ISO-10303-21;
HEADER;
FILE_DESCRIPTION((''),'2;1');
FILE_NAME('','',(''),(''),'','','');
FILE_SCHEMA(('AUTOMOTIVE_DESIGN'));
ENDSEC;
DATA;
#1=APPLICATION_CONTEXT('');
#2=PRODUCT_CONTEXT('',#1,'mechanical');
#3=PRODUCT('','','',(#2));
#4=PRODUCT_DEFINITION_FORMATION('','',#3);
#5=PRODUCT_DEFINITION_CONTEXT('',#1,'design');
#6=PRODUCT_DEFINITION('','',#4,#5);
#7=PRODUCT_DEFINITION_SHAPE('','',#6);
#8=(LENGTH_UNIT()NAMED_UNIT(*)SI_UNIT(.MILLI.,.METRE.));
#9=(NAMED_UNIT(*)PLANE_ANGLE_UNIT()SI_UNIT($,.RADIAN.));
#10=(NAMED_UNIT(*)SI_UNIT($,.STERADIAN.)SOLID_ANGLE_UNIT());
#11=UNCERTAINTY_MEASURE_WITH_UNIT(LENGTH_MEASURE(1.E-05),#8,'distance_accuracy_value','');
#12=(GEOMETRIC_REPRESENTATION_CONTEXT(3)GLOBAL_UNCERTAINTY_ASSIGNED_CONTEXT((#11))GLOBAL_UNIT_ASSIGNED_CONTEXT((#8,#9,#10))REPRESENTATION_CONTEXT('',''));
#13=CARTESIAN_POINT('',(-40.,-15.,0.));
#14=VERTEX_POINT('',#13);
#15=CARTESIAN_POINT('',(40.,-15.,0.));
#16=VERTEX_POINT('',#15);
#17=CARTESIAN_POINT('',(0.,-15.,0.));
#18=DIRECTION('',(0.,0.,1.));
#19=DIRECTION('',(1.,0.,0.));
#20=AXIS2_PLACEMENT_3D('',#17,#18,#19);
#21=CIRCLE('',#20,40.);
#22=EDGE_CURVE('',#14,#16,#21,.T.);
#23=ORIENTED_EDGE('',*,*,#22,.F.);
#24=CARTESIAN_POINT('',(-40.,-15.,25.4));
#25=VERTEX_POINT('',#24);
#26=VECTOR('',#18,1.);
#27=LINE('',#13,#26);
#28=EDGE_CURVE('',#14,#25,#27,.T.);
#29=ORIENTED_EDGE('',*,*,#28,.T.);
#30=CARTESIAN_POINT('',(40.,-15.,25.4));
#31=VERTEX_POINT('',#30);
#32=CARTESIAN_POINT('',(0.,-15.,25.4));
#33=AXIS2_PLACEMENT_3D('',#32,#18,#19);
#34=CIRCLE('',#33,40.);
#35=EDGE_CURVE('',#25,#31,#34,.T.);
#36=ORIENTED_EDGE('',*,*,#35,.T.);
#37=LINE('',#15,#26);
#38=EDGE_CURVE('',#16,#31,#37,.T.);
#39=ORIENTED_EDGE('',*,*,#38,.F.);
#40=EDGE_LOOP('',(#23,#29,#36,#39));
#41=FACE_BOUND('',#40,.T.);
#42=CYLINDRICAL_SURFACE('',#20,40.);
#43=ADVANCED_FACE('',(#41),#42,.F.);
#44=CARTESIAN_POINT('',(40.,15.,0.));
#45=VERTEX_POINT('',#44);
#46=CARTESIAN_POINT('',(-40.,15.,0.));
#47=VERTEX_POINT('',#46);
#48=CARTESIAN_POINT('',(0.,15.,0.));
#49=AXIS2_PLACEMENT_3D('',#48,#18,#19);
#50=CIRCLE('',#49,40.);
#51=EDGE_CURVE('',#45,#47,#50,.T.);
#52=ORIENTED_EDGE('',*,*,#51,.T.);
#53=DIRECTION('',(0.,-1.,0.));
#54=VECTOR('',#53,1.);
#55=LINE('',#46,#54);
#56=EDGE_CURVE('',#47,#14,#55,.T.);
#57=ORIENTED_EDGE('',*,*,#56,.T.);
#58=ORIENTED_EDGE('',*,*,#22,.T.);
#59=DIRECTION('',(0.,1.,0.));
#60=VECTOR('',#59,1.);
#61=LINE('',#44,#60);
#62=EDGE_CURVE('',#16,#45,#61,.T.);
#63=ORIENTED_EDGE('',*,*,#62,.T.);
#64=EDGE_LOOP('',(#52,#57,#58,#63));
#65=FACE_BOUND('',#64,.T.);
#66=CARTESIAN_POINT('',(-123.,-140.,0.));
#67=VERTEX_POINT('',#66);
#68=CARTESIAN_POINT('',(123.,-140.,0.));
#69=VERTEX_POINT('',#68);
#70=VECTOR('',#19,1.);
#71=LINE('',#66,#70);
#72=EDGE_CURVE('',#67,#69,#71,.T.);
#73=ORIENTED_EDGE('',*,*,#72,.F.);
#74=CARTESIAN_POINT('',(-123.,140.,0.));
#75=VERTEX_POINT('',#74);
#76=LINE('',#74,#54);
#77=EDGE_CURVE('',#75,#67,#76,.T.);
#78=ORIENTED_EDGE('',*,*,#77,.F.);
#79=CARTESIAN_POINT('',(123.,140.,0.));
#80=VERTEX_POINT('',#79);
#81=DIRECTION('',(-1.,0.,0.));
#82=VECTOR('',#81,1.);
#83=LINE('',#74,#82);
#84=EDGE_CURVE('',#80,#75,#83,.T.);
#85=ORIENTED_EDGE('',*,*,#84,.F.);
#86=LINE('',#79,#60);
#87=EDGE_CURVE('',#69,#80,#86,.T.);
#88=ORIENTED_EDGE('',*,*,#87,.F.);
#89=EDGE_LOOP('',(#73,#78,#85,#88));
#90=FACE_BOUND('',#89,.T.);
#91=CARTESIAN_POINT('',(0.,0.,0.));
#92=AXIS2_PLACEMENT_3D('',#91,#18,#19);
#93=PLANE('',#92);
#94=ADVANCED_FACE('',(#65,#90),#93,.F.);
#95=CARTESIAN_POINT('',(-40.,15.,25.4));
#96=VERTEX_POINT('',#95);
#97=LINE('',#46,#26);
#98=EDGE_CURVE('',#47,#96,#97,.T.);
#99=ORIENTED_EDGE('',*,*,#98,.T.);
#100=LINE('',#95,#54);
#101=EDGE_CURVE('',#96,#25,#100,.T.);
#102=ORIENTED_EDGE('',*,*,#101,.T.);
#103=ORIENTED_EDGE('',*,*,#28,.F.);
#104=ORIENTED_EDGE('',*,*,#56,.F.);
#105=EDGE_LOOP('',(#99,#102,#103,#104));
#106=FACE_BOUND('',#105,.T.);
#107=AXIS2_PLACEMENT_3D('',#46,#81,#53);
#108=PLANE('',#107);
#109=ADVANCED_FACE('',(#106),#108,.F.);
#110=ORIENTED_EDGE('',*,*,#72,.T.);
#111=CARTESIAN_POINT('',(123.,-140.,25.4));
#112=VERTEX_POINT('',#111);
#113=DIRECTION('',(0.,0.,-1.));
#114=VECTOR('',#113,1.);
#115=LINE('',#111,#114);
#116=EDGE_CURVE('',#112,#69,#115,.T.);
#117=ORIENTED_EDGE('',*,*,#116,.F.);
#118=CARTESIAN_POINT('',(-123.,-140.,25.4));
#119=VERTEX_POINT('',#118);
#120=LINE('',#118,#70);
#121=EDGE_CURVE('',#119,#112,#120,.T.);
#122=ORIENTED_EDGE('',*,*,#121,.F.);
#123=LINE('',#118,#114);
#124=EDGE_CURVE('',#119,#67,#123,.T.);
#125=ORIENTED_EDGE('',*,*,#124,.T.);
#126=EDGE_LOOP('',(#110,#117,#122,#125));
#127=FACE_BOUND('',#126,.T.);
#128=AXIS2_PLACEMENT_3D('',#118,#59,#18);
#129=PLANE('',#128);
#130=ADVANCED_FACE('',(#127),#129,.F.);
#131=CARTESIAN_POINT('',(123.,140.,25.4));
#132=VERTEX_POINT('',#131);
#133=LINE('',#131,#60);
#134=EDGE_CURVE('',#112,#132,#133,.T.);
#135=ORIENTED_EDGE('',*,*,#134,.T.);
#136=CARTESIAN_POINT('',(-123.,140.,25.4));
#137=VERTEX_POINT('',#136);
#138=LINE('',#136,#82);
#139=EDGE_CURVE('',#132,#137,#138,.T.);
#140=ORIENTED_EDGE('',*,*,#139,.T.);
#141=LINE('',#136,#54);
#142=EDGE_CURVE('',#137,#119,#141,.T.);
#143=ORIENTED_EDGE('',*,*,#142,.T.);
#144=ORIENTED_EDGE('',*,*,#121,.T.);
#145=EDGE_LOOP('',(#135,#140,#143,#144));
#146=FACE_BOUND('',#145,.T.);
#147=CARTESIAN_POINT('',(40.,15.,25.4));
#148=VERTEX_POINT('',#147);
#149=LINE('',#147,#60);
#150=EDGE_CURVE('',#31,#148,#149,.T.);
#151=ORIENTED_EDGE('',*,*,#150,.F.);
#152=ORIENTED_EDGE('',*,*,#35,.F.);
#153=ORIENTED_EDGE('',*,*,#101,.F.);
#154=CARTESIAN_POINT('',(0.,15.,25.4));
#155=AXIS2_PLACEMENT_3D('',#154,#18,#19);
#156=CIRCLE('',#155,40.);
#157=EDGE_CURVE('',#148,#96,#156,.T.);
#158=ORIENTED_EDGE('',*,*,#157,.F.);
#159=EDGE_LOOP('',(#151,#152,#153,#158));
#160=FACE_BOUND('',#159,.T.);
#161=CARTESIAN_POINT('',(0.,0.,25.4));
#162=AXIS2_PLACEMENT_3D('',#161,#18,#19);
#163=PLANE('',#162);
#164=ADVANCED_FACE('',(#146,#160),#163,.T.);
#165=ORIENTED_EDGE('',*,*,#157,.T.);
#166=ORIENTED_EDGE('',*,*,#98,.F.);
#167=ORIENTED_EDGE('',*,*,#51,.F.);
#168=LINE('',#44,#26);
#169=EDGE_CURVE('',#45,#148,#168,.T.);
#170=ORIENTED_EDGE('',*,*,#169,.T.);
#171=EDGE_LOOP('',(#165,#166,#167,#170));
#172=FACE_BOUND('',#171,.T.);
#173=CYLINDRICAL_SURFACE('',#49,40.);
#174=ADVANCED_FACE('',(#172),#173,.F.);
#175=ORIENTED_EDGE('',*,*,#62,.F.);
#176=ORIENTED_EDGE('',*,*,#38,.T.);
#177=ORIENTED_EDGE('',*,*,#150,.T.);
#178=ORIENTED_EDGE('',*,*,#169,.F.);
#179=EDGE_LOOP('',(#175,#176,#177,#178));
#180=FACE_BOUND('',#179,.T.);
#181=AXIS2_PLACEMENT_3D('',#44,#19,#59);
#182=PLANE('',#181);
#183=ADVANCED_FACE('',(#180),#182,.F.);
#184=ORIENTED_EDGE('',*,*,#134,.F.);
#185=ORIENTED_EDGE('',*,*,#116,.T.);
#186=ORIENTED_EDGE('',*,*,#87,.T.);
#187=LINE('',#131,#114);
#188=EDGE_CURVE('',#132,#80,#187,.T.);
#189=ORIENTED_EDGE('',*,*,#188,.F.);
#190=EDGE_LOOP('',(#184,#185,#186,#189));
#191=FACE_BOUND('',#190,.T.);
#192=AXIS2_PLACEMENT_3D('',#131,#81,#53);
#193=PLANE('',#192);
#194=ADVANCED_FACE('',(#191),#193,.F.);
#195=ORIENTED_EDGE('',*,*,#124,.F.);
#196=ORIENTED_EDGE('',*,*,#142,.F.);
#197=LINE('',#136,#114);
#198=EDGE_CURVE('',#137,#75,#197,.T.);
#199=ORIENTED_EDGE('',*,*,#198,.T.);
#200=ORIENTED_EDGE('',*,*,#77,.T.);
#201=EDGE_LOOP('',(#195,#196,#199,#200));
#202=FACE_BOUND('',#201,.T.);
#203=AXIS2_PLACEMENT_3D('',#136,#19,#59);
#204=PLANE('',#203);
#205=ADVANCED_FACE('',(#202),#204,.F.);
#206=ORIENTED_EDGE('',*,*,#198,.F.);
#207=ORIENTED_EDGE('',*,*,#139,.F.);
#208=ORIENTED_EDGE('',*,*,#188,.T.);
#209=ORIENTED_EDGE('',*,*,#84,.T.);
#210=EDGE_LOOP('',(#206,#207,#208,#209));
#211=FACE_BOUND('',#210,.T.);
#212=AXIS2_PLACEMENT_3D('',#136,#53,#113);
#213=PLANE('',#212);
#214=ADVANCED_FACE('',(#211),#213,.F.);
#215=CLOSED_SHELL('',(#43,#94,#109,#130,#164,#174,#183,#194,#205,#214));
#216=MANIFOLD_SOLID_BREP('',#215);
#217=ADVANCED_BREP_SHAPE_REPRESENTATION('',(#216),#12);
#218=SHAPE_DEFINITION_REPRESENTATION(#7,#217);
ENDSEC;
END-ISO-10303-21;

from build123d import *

# Parameters (mm, degrees)
SKETCH1_W           = 246
SKETCH1_H           = 280
BOSS_EXTRUDE1_DEPTH = 25.4
CUT_EXTRUDE1_DEPTH  = 189.080195661


with BuildPart() as part:
    # Sketch1 → Boss-Extrude1 (new body)
    with BuildSketch(Plane.XY):
        Rectangle(SKETCH1_W, SKETCH1_H)
    extrude(amount=BOSS_EXTRUDE1_DEPTH)

    # Sketch2 → Cut-Extrude1 (cut, through all)
    with BuildSketch(Plane.XY.offset(25.4)):
        with BuildLine():
            Line((40, 15), (40, -15))
            ThreePointArc((40, -15), (0, -55), (-40, -15))
            Line((-40, -15), (-40, 15))
            ThreePointArc((-40, 15), (0, 55), (40, 15))
        make_face()
    extrude(amount=-CUT_EXTRUDE1_DEPTH, mode=Mode.SUBTRACT)


solid = part.part
